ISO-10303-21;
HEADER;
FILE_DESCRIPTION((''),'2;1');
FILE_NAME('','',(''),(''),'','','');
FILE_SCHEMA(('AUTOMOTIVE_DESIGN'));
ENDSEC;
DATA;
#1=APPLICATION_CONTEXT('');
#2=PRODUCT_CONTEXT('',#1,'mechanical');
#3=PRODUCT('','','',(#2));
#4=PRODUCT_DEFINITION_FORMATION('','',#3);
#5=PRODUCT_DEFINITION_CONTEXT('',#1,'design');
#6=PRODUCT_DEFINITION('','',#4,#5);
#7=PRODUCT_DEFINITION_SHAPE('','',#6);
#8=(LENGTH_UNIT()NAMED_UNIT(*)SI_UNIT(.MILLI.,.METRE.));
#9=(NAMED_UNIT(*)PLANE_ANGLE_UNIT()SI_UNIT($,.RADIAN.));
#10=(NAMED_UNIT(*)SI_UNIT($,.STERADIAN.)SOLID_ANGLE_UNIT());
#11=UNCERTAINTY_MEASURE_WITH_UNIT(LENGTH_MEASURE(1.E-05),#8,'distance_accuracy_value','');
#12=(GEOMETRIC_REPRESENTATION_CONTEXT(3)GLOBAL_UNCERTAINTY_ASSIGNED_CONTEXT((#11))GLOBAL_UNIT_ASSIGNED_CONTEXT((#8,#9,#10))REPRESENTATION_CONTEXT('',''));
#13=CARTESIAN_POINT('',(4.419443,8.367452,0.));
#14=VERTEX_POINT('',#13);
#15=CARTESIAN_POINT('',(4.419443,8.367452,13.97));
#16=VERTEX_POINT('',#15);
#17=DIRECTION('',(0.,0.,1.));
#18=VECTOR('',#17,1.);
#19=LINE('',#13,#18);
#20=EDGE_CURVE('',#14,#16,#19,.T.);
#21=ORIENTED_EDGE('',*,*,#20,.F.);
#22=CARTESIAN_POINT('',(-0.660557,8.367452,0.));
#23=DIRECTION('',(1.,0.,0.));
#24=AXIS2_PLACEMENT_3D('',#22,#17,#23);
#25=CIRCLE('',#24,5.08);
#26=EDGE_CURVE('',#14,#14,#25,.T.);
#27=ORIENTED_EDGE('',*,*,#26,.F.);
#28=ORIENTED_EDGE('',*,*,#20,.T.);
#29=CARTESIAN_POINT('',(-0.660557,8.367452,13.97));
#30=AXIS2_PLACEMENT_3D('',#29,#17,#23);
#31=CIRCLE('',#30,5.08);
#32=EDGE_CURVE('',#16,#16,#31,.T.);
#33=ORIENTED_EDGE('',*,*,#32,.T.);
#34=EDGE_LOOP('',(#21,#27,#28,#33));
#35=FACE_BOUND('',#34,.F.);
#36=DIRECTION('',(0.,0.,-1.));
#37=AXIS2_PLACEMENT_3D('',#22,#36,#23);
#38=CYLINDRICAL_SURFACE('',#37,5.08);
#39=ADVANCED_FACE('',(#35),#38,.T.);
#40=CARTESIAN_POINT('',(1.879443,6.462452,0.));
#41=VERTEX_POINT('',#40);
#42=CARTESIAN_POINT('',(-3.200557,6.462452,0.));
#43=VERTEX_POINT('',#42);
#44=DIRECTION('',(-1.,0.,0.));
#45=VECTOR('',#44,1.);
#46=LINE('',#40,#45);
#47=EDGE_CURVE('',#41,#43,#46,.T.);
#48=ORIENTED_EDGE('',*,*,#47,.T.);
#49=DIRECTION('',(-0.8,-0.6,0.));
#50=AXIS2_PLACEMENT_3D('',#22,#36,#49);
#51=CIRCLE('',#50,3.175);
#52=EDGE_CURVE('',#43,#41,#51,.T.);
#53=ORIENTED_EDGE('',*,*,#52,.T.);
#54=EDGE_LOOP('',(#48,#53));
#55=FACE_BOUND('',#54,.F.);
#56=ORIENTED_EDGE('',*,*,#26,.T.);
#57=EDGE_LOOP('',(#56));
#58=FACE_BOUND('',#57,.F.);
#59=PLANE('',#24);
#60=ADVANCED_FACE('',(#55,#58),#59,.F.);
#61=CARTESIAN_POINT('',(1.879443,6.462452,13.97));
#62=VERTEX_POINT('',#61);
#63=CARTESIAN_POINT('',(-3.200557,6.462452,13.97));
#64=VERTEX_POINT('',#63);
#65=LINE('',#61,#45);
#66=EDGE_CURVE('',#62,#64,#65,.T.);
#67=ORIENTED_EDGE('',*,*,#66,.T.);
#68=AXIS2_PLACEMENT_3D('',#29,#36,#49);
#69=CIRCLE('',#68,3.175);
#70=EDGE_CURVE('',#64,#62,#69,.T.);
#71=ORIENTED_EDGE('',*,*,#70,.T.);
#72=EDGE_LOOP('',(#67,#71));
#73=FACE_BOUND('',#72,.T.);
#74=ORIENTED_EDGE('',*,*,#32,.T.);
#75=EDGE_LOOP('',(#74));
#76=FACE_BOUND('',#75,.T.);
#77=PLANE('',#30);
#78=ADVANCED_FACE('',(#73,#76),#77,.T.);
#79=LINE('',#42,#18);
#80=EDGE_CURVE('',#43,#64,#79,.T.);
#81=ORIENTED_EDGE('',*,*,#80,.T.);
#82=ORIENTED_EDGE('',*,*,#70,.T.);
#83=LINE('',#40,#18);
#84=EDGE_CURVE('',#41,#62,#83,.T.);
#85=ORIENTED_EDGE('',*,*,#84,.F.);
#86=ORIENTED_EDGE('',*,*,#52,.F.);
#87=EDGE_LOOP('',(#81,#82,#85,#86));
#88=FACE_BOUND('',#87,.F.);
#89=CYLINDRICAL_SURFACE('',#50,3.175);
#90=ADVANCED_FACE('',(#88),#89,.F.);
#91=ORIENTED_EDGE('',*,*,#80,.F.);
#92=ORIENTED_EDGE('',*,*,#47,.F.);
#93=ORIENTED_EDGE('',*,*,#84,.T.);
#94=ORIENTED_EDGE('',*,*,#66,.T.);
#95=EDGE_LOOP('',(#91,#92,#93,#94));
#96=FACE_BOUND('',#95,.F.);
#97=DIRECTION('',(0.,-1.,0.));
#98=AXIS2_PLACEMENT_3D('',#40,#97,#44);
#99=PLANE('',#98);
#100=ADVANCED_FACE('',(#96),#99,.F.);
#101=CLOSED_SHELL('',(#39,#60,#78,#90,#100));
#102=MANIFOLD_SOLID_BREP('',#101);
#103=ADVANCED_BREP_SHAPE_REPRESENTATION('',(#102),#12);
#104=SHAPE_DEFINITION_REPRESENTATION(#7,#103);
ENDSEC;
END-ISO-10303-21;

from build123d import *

# Parameters (mm, degrees)
F0_R     = 5.08
F1_DEPTH = 13.97


with BuildPart() as f1:
    # F0 (on Top) → F1 (new body)
    with BuildSketch(Plane.XY):
        with Locations((-0.660557, 8.367452)):
            Circle(F0_R)
        with BuildLine():
            ThreePointArc((-3.200557, 6.462452), (-0.660557, 11.542452), (1.879443, 6.462452))
            Line((1.879443, 6.462452), (-3.200557, 6.462452))
        make_face(mode=Mode.SUBTRACT)
    extrude(amount=F1_DEPTH)


solid = f1.part
